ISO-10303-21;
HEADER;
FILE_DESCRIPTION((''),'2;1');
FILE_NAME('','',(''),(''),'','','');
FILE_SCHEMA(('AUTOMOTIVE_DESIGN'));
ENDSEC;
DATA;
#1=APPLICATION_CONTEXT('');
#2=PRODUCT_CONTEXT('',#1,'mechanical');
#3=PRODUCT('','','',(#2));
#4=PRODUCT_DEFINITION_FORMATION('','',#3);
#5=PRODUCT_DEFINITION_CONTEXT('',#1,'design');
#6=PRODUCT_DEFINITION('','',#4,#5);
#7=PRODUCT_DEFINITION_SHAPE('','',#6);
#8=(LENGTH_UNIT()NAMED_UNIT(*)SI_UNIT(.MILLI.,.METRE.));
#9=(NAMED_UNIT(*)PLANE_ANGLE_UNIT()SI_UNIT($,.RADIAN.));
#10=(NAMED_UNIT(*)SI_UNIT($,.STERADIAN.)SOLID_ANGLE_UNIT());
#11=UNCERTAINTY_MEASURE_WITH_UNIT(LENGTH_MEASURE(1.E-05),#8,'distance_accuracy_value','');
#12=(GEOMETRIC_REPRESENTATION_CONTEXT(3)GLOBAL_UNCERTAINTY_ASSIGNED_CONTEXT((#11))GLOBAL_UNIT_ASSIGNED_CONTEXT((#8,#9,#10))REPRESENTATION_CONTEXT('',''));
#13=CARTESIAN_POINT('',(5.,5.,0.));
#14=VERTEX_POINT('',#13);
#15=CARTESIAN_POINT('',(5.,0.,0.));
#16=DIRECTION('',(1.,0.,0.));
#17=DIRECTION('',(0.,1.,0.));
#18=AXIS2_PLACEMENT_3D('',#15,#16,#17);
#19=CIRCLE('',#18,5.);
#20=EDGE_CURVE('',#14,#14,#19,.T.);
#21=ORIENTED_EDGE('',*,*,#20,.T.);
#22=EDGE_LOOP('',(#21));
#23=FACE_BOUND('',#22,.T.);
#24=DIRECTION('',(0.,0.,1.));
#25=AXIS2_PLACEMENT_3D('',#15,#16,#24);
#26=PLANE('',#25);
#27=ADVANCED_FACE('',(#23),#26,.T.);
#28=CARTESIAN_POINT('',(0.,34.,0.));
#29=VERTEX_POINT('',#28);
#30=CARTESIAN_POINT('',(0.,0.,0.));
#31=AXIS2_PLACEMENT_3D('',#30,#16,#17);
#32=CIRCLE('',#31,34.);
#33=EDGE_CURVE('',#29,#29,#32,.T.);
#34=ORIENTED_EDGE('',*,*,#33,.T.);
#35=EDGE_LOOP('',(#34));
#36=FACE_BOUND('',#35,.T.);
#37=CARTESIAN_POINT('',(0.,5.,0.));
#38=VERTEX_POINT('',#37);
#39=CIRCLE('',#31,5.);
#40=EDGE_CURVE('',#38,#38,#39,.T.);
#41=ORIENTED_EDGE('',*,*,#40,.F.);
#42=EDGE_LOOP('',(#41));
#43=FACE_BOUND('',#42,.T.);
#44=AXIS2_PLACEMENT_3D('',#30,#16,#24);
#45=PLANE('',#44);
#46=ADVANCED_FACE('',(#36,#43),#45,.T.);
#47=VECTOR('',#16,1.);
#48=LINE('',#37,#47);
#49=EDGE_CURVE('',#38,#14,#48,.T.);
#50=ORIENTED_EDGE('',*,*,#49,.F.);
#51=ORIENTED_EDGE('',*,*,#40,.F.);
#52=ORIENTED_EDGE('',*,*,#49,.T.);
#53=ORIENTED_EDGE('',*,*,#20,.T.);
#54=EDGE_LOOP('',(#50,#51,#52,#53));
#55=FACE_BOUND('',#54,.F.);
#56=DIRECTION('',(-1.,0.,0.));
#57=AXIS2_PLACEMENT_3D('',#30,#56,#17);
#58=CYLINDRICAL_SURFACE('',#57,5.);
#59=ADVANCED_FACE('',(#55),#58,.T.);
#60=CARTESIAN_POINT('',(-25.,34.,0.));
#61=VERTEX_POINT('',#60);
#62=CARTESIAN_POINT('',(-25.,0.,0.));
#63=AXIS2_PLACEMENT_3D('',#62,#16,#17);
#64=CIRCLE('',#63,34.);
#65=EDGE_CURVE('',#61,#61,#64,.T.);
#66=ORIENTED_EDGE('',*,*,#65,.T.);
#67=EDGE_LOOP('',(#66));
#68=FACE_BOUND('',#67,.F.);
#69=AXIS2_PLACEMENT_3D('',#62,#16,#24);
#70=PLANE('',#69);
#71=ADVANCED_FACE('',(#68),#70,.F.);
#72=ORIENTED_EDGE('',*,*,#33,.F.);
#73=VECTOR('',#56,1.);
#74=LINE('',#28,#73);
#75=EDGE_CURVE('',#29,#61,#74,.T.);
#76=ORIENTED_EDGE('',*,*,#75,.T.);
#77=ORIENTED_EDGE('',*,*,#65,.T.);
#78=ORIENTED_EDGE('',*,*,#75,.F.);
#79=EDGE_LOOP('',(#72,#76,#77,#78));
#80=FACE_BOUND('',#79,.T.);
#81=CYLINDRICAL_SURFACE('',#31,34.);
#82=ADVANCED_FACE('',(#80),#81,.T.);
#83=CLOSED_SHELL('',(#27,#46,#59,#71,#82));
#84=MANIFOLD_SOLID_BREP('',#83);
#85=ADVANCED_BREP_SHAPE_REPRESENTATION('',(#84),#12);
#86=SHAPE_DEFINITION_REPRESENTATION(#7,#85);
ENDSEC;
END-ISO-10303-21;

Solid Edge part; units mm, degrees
sketch "Sketch1" plane through (0, 0, 0) normal (1, 0, 0) x (0, 1, 0)
  circle A0 centre (0, 0) radius 34
extrude "Protrusion1" add sketch "Sketch1" against normal blind 25
sketch "Sketch2" plane through (0, 0, 0) normal (1, 0, 0) x (0, 1, 0)
  circle A0 centre (0, 0) radius 5
extrude "ExtrudedProtrusion_2" add sketch "Sketch2" along normal blind 5
properties material "Graphite"
